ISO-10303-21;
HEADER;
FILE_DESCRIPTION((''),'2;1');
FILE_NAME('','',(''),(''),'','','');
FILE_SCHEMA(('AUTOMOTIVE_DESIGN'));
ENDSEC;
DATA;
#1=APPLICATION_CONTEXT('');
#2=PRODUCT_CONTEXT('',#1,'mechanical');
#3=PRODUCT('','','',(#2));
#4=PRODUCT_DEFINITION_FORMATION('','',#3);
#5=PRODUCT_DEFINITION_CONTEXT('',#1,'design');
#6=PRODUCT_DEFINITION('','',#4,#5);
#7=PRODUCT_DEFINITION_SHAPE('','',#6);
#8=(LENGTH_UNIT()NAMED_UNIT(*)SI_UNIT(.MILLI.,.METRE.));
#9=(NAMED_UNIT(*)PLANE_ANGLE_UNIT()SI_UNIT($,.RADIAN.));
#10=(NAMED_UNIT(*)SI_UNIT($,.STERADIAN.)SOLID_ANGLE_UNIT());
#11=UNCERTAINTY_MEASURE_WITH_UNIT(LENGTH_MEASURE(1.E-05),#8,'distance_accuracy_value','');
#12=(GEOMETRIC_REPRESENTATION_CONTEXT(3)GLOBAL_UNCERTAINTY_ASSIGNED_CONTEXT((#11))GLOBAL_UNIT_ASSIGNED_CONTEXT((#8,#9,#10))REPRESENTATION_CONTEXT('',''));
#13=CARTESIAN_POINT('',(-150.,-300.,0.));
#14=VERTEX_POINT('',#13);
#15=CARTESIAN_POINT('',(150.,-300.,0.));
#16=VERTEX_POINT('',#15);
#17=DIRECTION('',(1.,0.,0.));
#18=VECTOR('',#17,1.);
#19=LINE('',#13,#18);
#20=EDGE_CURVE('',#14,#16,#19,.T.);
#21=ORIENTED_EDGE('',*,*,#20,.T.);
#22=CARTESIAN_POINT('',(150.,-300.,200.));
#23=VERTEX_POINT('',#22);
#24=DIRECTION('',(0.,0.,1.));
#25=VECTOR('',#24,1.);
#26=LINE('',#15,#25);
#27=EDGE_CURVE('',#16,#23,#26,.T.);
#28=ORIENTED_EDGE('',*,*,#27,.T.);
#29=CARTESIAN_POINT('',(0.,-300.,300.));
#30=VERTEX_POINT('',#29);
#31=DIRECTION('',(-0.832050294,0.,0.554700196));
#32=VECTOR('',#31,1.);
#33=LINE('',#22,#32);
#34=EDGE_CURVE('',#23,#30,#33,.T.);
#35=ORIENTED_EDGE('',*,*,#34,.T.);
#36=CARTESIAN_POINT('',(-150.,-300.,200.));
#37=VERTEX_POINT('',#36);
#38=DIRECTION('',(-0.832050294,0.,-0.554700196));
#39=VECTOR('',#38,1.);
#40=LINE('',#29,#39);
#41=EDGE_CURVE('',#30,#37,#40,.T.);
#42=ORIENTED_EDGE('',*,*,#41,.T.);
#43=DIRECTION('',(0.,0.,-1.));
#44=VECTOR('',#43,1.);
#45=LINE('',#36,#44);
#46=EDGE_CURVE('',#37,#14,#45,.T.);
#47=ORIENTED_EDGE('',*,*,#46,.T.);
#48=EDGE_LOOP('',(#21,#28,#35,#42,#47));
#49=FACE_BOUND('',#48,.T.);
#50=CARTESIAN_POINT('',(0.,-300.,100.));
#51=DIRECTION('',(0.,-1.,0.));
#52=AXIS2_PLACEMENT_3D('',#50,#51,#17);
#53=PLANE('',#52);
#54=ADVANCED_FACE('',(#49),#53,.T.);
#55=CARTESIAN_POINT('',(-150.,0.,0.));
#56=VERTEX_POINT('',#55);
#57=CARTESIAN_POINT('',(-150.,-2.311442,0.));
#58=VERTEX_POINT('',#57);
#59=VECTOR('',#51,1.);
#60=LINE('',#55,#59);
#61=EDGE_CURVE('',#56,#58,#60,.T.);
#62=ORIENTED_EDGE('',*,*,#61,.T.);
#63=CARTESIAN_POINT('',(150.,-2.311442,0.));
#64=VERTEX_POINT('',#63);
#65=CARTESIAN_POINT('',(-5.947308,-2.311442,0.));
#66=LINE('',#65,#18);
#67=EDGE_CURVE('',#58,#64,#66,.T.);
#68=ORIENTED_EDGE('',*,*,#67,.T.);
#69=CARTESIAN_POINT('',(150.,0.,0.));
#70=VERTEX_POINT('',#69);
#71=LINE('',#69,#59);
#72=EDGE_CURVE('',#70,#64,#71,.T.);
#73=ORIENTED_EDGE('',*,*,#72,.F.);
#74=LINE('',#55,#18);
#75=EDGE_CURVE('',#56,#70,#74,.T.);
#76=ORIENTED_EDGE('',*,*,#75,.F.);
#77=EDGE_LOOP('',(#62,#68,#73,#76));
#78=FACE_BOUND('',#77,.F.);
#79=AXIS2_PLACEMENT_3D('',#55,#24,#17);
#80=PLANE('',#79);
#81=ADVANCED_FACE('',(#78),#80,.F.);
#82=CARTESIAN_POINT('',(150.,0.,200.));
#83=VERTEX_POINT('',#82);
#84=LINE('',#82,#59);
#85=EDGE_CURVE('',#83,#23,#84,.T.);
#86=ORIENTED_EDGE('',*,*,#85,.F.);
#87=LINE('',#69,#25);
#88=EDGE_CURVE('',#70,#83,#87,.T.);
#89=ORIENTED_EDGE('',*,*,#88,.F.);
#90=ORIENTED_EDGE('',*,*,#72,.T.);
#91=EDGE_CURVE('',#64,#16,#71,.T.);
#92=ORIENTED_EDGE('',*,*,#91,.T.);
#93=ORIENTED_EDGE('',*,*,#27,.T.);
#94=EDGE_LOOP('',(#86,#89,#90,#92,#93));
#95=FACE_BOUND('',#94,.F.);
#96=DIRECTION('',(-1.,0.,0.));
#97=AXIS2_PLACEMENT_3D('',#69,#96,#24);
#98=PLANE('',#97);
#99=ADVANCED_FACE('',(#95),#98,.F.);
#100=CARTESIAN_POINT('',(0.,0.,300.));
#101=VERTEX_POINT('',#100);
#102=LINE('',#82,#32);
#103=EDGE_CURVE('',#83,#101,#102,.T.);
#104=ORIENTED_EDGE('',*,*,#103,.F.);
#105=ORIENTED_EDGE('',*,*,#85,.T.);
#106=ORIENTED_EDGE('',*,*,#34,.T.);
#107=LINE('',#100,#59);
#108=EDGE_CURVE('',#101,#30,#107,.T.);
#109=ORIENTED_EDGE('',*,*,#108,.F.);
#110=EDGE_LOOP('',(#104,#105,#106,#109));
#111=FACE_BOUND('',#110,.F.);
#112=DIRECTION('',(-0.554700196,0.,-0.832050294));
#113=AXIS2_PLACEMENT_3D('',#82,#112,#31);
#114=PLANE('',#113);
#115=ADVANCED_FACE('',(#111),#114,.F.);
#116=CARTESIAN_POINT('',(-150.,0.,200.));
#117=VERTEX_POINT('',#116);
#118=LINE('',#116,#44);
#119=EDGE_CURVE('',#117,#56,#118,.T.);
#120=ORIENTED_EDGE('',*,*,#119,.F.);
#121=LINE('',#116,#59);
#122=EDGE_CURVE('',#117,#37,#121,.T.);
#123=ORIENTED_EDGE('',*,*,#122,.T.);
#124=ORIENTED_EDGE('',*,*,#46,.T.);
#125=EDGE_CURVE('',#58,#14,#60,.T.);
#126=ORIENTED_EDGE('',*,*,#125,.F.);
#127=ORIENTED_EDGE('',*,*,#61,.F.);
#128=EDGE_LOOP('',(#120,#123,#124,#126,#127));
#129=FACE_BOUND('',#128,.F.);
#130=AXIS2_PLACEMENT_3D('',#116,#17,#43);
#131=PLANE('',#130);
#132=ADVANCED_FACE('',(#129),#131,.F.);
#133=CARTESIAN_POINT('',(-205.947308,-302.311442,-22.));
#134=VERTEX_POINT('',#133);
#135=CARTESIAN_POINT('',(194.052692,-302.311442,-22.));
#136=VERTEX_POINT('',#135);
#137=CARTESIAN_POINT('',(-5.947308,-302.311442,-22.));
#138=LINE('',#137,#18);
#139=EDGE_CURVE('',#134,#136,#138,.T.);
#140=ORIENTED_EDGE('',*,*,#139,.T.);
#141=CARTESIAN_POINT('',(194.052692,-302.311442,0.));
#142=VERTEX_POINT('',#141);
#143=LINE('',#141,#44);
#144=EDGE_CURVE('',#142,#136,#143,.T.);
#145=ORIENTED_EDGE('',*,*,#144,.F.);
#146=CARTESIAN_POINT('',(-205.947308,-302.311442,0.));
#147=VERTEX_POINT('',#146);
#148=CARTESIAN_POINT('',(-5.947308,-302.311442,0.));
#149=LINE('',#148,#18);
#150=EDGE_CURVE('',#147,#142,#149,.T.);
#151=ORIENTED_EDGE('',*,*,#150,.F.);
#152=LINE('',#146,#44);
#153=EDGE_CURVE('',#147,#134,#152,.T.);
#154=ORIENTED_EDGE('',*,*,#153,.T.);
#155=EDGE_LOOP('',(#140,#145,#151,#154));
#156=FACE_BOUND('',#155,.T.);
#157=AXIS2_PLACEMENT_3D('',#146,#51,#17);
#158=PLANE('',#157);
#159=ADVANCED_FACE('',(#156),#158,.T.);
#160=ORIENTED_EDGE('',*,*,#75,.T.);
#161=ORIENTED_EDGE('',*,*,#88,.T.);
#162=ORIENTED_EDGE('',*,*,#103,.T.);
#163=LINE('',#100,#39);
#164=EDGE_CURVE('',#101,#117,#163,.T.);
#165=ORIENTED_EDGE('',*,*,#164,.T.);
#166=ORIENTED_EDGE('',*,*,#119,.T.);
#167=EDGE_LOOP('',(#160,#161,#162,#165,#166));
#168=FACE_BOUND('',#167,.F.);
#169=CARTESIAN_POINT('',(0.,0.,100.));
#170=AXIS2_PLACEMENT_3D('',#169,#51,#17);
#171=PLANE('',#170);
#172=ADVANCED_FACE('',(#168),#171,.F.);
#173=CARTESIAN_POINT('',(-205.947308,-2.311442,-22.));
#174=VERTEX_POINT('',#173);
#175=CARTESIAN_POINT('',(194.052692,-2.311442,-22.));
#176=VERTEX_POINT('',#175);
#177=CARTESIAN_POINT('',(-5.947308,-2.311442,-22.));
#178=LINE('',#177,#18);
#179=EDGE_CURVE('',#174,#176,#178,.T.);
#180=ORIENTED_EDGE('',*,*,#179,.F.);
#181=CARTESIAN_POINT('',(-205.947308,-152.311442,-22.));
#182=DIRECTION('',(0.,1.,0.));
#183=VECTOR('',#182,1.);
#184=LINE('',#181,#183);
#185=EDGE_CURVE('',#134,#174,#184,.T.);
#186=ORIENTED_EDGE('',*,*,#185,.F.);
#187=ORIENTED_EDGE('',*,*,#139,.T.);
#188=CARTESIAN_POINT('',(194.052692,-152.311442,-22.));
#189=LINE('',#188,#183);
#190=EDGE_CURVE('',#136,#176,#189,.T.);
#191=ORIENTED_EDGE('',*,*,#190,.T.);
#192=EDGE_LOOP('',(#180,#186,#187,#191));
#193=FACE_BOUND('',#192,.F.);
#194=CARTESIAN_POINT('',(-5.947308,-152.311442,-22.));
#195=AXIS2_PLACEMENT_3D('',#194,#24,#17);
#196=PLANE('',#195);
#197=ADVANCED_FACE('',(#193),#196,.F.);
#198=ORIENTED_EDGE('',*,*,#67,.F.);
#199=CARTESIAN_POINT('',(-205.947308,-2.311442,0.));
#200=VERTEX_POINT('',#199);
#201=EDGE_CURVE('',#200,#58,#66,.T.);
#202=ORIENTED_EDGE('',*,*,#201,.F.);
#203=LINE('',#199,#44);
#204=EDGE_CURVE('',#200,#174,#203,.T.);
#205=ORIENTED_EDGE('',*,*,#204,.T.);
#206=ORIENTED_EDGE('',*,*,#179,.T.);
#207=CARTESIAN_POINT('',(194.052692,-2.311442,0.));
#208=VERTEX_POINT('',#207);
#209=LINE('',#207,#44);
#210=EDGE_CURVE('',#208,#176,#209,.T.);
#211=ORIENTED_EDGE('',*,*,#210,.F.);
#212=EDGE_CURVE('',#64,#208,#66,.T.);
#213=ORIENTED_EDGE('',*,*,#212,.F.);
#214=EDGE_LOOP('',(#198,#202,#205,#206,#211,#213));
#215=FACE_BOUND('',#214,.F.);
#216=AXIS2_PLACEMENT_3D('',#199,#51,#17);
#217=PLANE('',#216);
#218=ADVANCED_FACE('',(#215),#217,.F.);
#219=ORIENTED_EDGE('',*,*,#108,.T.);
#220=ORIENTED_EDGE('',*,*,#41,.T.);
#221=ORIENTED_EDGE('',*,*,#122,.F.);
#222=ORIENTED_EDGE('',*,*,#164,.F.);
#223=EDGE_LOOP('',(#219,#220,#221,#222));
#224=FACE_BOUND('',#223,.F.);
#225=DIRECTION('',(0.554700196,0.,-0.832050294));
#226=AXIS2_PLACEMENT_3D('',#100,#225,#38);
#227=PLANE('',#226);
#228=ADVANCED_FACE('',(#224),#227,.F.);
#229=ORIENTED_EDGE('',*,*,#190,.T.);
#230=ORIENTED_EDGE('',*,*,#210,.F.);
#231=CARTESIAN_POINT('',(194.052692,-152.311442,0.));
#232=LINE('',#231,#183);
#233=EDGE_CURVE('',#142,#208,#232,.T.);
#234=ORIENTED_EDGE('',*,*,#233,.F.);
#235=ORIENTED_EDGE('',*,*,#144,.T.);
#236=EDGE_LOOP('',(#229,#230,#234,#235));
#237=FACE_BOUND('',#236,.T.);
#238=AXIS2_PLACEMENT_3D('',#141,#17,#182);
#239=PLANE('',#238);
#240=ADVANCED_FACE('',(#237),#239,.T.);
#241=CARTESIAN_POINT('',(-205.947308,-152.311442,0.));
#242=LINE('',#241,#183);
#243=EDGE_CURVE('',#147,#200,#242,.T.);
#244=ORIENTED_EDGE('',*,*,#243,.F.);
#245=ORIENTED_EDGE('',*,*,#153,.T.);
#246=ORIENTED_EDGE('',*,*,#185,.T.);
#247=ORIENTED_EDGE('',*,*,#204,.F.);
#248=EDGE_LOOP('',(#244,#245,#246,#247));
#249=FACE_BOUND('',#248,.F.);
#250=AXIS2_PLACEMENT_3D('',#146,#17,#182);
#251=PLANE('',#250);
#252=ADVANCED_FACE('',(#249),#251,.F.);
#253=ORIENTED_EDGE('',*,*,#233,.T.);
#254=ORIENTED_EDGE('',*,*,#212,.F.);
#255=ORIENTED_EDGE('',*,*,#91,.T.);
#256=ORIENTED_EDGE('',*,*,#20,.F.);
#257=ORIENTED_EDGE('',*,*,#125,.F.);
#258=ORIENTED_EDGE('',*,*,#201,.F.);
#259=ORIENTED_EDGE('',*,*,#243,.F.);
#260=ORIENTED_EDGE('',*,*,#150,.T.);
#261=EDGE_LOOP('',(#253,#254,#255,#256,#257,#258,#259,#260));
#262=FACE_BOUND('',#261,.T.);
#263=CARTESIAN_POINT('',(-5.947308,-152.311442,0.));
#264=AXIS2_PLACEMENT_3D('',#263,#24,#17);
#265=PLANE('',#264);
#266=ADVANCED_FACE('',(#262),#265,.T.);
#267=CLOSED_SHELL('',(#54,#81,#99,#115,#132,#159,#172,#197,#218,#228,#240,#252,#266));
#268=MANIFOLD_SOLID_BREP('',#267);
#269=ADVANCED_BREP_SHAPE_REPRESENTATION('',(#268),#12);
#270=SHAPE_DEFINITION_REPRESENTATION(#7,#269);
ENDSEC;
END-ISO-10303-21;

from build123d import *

# Parameters (mm, degrees)
F1_DEPTH = 300
F2_DEPTH = 300
F3_W     = 400
F3_H     = 300
F4_DEPTH = 22


with BuildPart() as f1:
    # F0 (on Front) → F1 (new body)
    with BuildSketch(Plane.XZ):
        Polygon((-150, 200), (-150, 0), (150, 0), (150, 200), (0, 200), align=None)
    extrude(amount=F1_DEPTH)

    # F0 (on Front) → F2 (join)
    with BuildSketch(Plane.XZ):
        Polygon((-150, 200), (-150, 0), (150, 0), (150, 200), (0, 200), align=None)
        Polygon((0, 300), (-150, 200), (0, 200), align=None)
        Polygon((0, 200), (150, 200), (0, 300), align=None)
    extrude(amount=F2_DEPTH)

    # F3 (on Top) → F4 (join)
    with BuildSketch(Plane.XY):
        with Locations((-5.947308, -152.311442)):
            Rectangle(F3_W, F3_H)
    extrude(amount=-F4_DEPTH)


solid = f1.part
